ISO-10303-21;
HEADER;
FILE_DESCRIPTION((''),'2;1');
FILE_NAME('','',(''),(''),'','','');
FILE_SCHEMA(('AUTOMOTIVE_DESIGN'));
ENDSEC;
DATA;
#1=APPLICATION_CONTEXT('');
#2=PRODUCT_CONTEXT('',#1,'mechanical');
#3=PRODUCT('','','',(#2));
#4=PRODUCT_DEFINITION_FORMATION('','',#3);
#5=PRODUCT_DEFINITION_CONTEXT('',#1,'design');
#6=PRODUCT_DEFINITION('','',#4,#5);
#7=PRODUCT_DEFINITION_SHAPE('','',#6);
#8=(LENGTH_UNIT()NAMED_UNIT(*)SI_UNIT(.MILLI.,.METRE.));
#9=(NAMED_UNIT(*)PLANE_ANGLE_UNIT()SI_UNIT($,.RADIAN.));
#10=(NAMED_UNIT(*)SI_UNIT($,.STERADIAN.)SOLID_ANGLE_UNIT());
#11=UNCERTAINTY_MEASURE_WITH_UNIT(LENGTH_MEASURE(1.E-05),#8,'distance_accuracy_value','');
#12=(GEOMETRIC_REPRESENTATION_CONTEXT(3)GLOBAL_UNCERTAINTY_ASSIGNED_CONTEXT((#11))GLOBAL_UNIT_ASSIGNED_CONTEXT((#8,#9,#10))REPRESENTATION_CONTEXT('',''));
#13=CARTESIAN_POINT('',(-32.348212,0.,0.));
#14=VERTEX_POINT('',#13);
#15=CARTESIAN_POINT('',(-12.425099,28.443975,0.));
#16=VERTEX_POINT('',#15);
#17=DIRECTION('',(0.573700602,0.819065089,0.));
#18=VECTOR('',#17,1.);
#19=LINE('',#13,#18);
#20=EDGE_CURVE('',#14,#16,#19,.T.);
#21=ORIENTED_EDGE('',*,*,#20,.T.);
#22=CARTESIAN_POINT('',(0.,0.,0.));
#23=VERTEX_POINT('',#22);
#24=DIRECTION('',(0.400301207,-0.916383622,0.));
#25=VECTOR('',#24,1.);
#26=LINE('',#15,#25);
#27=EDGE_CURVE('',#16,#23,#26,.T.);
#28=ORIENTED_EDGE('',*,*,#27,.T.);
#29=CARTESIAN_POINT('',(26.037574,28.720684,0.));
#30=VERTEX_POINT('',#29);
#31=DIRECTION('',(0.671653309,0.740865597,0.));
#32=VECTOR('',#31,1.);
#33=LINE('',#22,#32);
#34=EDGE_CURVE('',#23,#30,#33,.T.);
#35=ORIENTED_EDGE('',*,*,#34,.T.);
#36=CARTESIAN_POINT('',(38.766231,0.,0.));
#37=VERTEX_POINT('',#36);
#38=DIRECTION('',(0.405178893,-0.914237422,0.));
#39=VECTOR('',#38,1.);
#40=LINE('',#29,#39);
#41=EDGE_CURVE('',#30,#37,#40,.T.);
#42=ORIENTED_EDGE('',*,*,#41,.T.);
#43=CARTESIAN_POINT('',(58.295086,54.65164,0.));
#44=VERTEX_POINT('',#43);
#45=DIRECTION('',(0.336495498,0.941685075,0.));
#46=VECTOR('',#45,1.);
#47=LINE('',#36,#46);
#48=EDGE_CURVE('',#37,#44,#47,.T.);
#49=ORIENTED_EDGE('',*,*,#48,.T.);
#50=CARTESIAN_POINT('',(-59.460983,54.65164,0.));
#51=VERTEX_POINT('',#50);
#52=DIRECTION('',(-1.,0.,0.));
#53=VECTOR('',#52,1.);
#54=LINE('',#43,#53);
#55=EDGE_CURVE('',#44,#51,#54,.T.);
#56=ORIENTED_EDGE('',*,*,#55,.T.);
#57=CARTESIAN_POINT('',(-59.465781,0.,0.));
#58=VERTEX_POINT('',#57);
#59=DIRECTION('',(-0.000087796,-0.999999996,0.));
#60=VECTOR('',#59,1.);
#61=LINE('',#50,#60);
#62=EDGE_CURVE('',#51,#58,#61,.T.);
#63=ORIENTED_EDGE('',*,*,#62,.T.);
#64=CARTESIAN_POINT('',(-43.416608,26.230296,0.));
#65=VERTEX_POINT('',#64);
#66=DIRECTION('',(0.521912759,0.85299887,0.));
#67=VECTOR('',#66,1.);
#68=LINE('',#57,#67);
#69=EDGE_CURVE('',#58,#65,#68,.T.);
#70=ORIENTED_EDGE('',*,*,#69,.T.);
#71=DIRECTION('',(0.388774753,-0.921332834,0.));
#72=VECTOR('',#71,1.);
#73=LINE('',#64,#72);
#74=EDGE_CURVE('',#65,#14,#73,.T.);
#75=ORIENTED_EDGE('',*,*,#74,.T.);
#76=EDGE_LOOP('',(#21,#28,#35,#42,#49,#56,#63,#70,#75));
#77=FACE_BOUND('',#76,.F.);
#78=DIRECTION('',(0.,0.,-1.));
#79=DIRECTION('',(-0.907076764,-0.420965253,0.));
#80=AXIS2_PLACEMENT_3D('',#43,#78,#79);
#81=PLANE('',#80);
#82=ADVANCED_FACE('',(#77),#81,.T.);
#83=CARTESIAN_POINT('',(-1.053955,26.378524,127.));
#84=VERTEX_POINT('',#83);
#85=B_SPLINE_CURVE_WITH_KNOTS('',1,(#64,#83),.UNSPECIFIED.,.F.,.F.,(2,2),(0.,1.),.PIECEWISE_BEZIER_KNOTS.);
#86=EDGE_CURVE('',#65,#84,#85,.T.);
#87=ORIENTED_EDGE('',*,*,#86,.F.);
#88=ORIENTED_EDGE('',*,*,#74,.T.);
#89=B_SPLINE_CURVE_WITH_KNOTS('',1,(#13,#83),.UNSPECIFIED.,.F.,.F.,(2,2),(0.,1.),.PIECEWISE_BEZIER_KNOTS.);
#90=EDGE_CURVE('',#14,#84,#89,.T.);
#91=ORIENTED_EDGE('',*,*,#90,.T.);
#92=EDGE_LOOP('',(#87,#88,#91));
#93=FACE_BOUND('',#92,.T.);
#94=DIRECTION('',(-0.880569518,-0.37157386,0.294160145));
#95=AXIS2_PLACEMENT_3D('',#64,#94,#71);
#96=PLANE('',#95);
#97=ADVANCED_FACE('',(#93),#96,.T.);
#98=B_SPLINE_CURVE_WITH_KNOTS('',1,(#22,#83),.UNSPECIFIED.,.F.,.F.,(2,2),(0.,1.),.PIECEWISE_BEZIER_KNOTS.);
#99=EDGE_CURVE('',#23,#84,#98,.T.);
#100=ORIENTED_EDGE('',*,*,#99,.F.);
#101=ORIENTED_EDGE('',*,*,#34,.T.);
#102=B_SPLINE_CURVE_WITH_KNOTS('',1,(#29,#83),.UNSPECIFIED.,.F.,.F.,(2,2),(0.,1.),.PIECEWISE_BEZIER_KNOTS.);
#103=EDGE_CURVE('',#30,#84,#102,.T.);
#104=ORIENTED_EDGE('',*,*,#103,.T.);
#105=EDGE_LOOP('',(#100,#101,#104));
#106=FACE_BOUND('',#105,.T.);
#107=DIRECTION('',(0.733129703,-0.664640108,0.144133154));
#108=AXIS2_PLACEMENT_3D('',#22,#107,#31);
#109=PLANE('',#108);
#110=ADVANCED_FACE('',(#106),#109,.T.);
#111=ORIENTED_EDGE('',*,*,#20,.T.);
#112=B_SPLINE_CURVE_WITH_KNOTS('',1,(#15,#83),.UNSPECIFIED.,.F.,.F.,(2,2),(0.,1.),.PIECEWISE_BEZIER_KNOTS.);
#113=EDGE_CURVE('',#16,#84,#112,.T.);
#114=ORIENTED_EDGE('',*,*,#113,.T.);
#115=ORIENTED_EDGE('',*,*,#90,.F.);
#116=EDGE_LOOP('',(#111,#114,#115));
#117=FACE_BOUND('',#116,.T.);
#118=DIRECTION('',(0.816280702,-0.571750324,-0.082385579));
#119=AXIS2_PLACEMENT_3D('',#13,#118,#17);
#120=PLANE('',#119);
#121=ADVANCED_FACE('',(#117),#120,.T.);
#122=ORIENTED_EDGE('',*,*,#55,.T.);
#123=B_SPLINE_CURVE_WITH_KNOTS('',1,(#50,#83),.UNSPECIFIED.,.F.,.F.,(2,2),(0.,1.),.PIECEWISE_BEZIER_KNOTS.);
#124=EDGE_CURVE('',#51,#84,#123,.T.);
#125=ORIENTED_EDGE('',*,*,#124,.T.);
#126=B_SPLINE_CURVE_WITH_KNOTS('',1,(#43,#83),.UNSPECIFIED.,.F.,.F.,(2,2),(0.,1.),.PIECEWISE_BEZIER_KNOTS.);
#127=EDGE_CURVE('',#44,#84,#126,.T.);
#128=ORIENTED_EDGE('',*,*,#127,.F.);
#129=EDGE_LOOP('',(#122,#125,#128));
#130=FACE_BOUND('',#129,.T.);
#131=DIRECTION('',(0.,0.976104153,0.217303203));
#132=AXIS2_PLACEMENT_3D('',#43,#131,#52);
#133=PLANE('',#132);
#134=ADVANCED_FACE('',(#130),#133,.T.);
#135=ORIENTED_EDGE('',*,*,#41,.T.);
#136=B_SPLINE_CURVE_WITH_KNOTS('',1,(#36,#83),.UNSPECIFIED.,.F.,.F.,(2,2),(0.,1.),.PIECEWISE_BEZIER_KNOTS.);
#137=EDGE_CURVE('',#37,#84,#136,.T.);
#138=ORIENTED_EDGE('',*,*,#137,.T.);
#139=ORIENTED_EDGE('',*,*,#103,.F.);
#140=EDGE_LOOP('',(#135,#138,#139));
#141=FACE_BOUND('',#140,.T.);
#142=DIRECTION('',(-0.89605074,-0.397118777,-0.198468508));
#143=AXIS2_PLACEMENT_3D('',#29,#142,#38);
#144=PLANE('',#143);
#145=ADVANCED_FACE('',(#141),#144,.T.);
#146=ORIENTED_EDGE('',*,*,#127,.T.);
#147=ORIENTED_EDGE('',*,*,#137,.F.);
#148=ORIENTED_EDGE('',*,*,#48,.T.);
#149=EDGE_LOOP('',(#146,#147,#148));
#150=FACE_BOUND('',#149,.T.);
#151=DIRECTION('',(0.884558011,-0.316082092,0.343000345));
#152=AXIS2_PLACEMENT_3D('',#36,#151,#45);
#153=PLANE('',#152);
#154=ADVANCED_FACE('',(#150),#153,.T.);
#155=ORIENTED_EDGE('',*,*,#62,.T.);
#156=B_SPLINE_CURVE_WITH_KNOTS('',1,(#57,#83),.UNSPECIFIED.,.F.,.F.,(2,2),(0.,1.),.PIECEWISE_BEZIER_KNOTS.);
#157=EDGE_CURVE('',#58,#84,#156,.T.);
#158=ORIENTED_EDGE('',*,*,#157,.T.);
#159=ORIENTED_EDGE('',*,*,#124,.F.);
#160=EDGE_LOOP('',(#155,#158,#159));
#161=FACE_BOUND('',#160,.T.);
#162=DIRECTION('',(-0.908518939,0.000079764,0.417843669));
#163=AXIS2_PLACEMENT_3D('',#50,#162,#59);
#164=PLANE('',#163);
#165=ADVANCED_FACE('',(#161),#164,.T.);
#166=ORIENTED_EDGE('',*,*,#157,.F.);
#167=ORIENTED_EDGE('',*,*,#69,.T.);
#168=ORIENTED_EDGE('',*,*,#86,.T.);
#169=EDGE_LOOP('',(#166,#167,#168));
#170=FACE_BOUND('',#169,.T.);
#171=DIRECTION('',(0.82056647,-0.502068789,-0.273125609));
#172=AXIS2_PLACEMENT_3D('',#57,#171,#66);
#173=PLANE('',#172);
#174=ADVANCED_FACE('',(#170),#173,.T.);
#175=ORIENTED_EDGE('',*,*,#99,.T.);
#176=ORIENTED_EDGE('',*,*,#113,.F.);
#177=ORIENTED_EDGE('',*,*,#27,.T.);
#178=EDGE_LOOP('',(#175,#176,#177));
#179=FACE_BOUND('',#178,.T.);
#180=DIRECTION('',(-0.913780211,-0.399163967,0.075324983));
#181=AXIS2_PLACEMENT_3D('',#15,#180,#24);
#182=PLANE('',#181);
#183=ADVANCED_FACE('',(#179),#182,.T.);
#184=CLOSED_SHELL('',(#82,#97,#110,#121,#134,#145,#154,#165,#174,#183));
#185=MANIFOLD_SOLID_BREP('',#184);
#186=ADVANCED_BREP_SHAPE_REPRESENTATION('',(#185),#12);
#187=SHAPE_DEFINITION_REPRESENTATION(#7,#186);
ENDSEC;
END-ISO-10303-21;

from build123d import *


with BuildPart() as f3:
    # F0 (on Top) → F3 section 0
    with BuildSketch(Plane.XY, mode=Mode.PRIVATE) as f3_s0:
        Polygon((58.2950860262, 54.6516403556), (-59.4609826803, 54.6516403556), (-59.4657808542, 0), (-43.416608125, 26.23029612), (-32.3482118547, 0), (-12.4250994995, 28.4439753741), (0, 0), (26.0375738144, 28.7206843495), (38.7662313879, 0), align=None)
    loft([f3_s0.sketch, Vertex(-1.0539550567, 26.3785235584, 127)])


solid = f3.part
